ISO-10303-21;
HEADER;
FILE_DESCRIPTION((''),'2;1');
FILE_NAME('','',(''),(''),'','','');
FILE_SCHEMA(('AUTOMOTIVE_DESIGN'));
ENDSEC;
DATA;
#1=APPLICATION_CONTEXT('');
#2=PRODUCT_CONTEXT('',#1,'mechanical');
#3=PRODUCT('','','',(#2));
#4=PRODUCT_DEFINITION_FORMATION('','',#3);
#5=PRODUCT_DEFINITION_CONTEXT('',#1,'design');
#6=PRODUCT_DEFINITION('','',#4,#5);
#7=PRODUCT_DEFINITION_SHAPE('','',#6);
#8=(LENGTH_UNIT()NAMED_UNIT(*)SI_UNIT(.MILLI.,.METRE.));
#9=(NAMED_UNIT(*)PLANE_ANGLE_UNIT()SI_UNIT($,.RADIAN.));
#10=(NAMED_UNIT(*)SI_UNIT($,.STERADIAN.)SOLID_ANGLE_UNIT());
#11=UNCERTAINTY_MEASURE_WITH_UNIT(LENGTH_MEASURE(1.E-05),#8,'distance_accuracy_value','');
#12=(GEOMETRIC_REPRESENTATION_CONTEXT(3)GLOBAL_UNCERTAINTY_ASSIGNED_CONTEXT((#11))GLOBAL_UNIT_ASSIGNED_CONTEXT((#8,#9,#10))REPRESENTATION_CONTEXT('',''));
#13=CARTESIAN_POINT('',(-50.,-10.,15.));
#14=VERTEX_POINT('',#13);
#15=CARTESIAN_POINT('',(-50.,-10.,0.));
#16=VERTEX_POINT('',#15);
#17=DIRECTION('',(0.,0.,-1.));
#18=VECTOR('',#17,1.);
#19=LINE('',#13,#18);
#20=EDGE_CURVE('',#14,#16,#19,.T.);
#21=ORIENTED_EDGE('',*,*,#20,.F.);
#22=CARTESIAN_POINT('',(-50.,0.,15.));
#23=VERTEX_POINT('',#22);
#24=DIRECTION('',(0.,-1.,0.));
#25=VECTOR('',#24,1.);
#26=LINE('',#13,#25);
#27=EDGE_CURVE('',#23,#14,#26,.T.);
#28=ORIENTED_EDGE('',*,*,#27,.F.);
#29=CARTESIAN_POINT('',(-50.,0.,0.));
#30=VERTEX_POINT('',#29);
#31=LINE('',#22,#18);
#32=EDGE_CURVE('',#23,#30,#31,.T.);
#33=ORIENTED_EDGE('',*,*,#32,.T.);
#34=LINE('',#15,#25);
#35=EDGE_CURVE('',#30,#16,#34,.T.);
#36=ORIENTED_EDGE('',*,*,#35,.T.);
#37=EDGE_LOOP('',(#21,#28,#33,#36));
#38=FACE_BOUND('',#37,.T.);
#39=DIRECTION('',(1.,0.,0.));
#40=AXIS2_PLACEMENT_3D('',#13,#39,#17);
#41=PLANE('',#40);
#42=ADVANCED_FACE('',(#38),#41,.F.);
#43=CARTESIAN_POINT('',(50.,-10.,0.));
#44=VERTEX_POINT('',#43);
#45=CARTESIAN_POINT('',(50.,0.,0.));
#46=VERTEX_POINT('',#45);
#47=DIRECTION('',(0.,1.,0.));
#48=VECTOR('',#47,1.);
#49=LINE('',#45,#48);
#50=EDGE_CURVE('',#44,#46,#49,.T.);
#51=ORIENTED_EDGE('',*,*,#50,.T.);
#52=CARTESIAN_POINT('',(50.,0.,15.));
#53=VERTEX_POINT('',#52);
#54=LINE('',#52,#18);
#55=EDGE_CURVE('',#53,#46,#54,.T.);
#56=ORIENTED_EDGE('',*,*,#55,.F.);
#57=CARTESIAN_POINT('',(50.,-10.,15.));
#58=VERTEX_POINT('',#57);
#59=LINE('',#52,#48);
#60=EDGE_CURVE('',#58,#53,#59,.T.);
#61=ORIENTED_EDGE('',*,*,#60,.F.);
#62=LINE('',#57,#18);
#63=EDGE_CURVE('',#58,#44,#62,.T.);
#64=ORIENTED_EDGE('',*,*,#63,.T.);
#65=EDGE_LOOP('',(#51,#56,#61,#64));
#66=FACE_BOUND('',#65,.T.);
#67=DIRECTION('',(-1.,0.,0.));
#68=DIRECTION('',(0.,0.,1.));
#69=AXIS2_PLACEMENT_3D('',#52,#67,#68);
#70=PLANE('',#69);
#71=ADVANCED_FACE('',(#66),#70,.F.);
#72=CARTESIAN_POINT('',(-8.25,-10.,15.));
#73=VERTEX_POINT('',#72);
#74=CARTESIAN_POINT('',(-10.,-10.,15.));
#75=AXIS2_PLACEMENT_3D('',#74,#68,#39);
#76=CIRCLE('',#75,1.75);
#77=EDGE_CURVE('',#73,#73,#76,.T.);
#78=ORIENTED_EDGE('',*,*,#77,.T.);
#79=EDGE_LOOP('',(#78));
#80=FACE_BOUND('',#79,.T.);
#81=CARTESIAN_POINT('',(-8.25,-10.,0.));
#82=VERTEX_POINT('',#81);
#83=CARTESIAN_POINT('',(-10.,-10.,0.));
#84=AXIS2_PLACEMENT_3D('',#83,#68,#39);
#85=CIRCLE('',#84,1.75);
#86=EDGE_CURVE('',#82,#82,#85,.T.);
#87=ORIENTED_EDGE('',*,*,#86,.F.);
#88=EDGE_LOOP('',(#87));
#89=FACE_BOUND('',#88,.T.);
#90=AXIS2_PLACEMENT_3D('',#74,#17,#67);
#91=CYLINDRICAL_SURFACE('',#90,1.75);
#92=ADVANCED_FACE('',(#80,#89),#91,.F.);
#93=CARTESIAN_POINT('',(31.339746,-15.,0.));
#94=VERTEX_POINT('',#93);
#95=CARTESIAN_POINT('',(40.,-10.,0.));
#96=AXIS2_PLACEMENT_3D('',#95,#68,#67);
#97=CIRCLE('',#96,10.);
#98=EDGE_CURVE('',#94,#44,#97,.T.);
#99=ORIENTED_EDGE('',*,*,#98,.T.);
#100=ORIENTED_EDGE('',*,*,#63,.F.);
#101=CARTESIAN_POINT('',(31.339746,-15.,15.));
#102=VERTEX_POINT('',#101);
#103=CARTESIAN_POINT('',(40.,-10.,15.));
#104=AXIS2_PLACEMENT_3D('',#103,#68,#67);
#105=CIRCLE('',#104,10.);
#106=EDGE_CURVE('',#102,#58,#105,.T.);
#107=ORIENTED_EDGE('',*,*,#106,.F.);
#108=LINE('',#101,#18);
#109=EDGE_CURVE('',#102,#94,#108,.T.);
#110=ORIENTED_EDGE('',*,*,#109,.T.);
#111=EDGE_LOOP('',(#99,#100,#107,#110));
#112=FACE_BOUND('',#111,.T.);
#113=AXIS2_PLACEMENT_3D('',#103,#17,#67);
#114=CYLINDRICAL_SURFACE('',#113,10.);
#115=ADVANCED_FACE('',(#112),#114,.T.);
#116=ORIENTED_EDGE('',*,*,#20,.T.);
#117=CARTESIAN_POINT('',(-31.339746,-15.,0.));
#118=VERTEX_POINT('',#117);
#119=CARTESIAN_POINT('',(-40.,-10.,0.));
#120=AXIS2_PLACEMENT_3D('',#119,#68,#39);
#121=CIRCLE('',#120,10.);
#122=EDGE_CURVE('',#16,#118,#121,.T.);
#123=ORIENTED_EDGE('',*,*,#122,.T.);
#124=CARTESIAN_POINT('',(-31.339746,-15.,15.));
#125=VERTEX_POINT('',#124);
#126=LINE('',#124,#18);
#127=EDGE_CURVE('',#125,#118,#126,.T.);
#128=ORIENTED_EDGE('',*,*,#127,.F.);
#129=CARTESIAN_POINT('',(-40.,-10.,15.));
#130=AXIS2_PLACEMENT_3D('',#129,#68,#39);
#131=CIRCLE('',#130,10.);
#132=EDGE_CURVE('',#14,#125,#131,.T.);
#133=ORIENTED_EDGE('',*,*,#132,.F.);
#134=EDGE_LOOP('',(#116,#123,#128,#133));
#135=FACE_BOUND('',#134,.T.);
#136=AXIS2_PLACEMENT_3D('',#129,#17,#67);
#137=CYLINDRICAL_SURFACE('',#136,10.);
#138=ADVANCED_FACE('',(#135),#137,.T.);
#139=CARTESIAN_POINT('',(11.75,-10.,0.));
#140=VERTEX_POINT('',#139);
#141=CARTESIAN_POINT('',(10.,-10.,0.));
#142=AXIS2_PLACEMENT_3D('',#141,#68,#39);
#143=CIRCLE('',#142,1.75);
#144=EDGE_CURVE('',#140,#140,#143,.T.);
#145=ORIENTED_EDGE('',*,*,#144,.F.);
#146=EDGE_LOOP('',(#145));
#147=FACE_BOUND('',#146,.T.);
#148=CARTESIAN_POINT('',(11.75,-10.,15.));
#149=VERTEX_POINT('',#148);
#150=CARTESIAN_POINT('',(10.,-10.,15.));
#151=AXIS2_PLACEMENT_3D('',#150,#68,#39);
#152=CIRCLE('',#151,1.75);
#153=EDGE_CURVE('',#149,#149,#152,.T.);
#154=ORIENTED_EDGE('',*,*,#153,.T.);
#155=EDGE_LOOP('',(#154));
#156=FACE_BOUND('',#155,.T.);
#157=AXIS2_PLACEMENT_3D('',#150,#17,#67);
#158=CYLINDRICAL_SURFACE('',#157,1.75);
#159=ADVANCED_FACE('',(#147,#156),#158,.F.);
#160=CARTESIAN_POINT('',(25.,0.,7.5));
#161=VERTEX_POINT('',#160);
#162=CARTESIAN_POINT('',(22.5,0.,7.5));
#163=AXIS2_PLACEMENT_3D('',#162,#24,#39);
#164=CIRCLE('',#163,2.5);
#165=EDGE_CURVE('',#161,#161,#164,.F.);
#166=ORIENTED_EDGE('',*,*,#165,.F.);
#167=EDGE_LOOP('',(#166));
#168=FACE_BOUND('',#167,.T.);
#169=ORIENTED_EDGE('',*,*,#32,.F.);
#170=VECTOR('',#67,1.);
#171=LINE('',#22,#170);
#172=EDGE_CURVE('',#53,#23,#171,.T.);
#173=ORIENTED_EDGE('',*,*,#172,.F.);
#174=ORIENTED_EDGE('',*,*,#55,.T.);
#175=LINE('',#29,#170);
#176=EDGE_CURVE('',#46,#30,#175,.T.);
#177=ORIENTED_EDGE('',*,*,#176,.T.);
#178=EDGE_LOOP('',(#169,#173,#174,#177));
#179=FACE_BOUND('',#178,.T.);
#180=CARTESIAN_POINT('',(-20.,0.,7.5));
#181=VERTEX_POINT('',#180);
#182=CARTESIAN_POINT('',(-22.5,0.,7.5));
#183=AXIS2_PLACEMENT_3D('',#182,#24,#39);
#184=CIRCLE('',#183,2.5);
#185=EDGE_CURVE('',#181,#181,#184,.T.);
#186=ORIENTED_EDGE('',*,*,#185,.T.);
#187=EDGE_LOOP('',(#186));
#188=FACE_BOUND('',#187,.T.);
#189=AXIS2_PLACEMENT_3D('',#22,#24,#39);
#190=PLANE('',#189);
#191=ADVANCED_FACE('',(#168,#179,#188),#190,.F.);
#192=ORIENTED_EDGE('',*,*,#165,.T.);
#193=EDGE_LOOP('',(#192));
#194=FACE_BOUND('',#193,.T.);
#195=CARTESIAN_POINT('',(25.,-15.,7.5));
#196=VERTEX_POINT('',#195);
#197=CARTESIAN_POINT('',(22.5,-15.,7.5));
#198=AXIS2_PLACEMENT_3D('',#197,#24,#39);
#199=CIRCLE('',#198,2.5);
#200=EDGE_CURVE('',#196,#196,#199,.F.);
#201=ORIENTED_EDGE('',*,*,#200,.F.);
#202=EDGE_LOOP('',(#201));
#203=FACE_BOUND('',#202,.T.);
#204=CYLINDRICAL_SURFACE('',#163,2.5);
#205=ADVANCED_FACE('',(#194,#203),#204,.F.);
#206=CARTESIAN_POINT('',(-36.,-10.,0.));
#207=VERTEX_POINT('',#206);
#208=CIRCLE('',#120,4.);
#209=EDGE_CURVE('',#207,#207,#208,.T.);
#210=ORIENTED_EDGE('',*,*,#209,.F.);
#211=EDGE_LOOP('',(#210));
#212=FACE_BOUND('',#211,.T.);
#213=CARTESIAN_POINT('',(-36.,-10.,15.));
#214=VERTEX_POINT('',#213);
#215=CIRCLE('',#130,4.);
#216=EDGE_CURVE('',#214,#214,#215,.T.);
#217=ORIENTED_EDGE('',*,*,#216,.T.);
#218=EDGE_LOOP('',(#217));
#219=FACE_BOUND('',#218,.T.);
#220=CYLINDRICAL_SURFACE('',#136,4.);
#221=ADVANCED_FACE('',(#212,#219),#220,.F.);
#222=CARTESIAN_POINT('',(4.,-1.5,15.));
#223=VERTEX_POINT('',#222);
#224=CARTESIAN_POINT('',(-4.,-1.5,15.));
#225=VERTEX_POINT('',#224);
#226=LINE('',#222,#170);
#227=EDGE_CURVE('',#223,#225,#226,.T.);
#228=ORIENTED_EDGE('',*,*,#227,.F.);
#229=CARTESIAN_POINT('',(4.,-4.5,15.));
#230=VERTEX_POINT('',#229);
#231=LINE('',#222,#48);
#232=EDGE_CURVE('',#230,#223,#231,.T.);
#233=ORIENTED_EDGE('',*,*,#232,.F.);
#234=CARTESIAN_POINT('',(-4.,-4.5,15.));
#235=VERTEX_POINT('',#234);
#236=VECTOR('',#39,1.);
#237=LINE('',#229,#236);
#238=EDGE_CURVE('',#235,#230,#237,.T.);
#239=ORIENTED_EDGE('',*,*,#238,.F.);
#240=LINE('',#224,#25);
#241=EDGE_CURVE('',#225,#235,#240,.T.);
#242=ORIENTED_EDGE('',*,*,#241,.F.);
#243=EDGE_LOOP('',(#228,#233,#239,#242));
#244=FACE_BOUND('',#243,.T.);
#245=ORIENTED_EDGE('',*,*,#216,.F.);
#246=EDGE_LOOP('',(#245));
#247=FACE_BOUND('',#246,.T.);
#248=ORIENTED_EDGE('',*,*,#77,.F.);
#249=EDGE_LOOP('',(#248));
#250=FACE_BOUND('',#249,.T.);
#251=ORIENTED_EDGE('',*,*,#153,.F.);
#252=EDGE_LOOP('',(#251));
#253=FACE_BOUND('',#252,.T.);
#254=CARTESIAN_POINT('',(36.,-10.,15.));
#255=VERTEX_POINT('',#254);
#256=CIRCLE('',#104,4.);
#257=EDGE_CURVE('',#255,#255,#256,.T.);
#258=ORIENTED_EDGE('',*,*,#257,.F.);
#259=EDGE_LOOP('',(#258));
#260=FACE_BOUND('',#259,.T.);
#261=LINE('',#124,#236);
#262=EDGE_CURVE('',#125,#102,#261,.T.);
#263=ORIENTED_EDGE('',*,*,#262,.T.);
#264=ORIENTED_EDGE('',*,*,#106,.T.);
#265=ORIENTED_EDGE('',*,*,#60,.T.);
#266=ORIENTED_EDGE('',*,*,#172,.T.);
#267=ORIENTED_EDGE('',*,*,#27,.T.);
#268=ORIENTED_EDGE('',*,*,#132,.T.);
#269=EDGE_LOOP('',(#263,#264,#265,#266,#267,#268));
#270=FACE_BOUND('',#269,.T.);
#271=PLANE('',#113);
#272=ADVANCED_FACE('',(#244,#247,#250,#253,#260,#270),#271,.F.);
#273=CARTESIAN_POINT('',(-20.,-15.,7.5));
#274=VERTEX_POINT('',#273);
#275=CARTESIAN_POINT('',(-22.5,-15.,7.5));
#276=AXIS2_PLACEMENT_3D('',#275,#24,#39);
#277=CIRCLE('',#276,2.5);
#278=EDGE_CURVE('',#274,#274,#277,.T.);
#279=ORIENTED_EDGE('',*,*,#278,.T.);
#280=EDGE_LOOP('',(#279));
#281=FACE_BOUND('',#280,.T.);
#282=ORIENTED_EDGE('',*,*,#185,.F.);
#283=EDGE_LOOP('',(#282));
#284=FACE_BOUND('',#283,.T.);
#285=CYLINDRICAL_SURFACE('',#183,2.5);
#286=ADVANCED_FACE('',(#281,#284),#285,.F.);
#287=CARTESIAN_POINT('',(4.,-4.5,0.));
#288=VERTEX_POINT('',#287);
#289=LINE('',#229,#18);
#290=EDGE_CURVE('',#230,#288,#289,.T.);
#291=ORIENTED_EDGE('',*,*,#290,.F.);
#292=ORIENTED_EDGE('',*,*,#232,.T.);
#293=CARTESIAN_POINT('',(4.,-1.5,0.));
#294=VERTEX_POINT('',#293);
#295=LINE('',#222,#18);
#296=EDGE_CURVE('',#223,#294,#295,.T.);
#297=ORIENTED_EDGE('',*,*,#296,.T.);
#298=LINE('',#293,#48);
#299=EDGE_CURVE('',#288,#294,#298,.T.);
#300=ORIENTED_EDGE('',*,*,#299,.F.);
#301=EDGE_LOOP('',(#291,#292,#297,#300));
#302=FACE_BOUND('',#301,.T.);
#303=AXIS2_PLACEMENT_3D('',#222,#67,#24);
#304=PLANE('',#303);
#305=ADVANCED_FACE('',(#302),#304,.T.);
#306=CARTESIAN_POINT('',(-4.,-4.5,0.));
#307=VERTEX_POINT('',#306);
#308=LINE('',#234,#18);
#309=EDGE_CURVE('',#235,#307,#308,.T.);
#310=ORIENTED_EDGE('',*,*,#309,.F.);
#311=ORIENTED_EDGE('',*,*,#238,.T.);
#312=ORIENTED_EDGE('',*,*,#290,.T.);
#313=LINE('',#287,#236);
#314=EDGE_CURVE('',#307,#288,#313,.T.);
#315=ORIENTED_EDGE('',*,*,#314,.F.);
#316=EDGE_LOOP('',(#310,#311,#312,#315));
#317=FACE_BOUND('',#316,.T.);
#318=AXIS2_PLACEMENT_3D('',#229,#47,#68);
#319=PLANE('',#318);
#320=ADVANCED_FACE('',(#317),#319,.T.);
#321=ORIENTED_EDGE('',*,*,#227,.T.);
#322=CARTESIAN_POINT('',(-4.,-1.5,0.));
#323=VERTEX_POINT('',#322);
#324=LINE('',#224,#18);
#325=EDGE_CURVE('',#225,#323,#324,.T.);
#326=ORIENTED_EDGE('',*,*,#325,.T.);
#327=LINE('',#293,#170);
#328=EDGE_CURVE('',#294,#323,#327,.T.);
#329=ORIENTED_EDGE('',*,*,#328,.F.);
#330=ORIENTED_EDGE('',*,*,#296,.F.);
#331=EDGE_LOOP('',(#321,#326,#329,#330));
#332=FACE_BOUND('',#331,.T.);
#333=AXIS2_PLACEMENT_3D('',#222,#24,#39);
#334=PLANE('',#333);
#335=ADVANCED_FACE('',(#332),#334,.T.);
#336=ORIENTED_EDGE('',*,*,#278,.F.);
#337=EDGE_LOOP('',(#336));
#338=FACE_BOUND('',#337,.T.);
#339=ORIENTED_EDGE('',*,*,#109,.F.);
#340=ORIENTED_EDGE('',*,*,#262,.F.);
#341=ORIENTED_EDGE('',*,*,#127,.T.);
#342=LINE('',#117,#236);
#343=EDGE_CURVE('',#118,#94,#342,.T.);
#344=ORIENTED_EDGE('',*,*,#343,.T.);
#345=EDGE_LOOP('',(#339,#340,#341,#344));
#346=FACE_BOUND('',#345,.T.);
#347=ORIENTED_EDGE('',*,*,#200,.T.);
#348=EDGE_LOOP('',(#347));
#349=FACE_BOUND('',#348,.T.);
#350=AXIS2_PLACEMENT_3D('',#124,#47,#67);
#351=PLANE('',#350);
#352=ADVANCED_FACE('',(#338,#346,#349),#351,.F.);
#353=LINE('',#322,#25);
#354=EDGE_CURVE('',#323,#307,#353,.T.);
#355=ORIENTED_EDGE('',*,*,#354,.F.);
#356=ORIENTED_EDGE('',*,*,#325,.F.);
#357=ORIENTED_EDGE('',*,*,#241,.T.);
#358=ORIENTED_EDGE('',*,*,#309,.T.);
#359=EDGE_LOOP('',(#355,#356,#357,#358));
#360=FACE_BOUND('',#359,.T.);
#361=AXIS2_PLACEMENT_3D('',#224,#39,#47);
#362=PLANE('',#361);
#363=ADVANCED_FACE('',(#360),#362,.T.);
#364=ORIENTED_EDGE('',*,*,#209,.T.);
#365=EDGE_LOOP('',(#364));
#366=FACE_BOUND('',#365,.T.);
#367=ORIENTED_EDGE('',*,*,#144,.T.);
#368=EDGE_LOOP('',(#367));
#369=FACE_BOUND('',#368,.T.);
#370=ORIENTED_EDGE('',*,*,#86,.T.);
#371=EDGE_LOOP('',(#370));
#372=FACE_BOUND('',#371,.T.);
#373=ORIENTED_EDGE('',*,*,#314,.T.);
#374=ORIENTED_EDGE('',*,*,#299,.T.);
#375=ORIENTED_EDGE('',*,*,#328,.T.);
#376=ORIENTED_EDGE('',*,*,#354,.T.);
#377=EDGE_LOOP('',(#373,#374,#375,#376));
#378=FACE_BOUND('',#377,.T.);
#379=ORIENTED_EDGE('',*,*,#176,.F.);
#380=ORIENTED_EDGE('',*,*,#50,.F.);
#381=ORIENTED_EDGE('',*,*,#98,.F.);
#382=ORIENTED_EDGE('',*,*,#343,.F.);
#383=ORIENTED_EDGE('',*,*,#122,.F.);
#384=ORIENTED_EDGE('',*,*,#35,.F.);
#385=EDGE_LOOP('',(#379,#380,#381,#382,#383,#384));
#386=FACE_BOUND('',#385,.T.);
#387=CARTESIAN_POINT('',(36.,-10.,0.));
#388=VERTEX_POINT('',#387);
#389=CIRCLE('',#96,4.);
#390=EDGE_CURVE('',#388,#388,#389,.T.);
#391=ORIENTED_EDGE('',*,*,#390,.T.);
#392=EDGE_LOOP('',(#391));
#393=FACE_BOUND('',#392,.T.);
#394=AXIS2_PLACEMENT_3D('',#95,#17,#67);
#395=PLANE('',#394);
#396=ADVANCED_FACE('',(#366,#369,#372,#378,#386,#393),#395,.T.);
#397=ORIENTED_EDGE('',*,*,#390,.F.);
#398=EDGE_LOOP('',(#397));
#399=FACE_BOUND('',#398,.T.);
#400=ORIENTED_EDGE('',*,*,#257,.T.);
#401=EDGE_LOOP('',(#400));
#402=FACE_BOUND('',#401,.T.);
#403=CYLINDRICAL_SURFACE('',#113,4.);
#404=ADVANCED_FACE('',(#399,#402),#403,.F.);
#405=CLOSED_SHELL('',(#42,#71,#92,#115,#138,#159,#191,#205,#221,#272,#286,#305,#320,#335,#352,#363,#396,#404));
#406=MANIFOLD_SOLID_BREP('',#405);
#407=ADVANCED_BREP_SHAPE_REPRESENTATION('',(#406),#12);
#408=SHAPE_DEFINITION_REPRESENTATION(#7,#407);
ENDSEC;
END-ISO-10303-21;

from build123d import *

# Parameters (mm, degrees)
ESBO_O1_R                = 4
ESBO_O1_R_2              = 1.75
ESBO_O1_W                = 8
ESBO_O1_H                = 3
RESSALTO_EXTRUS_O1_DEPTH = 15
ESBO_O2_R                = 2.5
CORTE_EXTRUS_O1_DEPTH    = 15


with BuildPart() as part:
    # Esboço1 → Ressalto-extrusão1 (new body)
    with BuildSketch(Plane.XY):
        with BuildLine():
            Line((50, 0), (50, -10))
            ThreePointArc((50, -10), (42.588190451, -19.659258263), (31.339745962, -15))
            Line((31.339745962, -15), (-31.339745962, -15))
            ThreePointArc((-31.339745962, -15), (-42.588190451, -19.659258263), (-50, -10))
            Line((-50, -10), (-50, 0))
            Line((-50, 0), (50, 0))
        make_face()
        with Locations((-40, -10)):
            Circle(ESBO_O1_R, mode=Mode.SUBTRACT)
        with Locations(Location((40, -10, 0), (0, 0, 180))):
            Circle(ESBO_O1_R, mode=Mode.SUBTRACT)
        with Locations((10, -10)):
            Circle(ESBO_O1_R_2, mode=Mode.SUBTRACT)
        with Locations((-10, -10)):
            Circle(ESBO_O1_R_2, mode=Mode.SUBTRACT)
        with Locations((0, -3)):
            Rectangle(ESBO_O1_W, ESBO_O1_H, mode=Mode.SUBTRACT)
    extrude(amount=RESSALTO_EXTRUS_O1_DEPTH)

    # Esboço2 → Corte-extrusão1 (cut)
    with BuildSketch(Plane.XZ.offset(15)):
        with Locations((22.5, 7.5)):
            Circle(ESBO_O2_R)
        with Locations((-22.5, 7.5)):
            Circle(ESBO_O2_R)
    extrude(amount=-CORTE_EXTRUS_O1_DEPTH, mode=Mode.SUBTRACT)


solid = part.part
